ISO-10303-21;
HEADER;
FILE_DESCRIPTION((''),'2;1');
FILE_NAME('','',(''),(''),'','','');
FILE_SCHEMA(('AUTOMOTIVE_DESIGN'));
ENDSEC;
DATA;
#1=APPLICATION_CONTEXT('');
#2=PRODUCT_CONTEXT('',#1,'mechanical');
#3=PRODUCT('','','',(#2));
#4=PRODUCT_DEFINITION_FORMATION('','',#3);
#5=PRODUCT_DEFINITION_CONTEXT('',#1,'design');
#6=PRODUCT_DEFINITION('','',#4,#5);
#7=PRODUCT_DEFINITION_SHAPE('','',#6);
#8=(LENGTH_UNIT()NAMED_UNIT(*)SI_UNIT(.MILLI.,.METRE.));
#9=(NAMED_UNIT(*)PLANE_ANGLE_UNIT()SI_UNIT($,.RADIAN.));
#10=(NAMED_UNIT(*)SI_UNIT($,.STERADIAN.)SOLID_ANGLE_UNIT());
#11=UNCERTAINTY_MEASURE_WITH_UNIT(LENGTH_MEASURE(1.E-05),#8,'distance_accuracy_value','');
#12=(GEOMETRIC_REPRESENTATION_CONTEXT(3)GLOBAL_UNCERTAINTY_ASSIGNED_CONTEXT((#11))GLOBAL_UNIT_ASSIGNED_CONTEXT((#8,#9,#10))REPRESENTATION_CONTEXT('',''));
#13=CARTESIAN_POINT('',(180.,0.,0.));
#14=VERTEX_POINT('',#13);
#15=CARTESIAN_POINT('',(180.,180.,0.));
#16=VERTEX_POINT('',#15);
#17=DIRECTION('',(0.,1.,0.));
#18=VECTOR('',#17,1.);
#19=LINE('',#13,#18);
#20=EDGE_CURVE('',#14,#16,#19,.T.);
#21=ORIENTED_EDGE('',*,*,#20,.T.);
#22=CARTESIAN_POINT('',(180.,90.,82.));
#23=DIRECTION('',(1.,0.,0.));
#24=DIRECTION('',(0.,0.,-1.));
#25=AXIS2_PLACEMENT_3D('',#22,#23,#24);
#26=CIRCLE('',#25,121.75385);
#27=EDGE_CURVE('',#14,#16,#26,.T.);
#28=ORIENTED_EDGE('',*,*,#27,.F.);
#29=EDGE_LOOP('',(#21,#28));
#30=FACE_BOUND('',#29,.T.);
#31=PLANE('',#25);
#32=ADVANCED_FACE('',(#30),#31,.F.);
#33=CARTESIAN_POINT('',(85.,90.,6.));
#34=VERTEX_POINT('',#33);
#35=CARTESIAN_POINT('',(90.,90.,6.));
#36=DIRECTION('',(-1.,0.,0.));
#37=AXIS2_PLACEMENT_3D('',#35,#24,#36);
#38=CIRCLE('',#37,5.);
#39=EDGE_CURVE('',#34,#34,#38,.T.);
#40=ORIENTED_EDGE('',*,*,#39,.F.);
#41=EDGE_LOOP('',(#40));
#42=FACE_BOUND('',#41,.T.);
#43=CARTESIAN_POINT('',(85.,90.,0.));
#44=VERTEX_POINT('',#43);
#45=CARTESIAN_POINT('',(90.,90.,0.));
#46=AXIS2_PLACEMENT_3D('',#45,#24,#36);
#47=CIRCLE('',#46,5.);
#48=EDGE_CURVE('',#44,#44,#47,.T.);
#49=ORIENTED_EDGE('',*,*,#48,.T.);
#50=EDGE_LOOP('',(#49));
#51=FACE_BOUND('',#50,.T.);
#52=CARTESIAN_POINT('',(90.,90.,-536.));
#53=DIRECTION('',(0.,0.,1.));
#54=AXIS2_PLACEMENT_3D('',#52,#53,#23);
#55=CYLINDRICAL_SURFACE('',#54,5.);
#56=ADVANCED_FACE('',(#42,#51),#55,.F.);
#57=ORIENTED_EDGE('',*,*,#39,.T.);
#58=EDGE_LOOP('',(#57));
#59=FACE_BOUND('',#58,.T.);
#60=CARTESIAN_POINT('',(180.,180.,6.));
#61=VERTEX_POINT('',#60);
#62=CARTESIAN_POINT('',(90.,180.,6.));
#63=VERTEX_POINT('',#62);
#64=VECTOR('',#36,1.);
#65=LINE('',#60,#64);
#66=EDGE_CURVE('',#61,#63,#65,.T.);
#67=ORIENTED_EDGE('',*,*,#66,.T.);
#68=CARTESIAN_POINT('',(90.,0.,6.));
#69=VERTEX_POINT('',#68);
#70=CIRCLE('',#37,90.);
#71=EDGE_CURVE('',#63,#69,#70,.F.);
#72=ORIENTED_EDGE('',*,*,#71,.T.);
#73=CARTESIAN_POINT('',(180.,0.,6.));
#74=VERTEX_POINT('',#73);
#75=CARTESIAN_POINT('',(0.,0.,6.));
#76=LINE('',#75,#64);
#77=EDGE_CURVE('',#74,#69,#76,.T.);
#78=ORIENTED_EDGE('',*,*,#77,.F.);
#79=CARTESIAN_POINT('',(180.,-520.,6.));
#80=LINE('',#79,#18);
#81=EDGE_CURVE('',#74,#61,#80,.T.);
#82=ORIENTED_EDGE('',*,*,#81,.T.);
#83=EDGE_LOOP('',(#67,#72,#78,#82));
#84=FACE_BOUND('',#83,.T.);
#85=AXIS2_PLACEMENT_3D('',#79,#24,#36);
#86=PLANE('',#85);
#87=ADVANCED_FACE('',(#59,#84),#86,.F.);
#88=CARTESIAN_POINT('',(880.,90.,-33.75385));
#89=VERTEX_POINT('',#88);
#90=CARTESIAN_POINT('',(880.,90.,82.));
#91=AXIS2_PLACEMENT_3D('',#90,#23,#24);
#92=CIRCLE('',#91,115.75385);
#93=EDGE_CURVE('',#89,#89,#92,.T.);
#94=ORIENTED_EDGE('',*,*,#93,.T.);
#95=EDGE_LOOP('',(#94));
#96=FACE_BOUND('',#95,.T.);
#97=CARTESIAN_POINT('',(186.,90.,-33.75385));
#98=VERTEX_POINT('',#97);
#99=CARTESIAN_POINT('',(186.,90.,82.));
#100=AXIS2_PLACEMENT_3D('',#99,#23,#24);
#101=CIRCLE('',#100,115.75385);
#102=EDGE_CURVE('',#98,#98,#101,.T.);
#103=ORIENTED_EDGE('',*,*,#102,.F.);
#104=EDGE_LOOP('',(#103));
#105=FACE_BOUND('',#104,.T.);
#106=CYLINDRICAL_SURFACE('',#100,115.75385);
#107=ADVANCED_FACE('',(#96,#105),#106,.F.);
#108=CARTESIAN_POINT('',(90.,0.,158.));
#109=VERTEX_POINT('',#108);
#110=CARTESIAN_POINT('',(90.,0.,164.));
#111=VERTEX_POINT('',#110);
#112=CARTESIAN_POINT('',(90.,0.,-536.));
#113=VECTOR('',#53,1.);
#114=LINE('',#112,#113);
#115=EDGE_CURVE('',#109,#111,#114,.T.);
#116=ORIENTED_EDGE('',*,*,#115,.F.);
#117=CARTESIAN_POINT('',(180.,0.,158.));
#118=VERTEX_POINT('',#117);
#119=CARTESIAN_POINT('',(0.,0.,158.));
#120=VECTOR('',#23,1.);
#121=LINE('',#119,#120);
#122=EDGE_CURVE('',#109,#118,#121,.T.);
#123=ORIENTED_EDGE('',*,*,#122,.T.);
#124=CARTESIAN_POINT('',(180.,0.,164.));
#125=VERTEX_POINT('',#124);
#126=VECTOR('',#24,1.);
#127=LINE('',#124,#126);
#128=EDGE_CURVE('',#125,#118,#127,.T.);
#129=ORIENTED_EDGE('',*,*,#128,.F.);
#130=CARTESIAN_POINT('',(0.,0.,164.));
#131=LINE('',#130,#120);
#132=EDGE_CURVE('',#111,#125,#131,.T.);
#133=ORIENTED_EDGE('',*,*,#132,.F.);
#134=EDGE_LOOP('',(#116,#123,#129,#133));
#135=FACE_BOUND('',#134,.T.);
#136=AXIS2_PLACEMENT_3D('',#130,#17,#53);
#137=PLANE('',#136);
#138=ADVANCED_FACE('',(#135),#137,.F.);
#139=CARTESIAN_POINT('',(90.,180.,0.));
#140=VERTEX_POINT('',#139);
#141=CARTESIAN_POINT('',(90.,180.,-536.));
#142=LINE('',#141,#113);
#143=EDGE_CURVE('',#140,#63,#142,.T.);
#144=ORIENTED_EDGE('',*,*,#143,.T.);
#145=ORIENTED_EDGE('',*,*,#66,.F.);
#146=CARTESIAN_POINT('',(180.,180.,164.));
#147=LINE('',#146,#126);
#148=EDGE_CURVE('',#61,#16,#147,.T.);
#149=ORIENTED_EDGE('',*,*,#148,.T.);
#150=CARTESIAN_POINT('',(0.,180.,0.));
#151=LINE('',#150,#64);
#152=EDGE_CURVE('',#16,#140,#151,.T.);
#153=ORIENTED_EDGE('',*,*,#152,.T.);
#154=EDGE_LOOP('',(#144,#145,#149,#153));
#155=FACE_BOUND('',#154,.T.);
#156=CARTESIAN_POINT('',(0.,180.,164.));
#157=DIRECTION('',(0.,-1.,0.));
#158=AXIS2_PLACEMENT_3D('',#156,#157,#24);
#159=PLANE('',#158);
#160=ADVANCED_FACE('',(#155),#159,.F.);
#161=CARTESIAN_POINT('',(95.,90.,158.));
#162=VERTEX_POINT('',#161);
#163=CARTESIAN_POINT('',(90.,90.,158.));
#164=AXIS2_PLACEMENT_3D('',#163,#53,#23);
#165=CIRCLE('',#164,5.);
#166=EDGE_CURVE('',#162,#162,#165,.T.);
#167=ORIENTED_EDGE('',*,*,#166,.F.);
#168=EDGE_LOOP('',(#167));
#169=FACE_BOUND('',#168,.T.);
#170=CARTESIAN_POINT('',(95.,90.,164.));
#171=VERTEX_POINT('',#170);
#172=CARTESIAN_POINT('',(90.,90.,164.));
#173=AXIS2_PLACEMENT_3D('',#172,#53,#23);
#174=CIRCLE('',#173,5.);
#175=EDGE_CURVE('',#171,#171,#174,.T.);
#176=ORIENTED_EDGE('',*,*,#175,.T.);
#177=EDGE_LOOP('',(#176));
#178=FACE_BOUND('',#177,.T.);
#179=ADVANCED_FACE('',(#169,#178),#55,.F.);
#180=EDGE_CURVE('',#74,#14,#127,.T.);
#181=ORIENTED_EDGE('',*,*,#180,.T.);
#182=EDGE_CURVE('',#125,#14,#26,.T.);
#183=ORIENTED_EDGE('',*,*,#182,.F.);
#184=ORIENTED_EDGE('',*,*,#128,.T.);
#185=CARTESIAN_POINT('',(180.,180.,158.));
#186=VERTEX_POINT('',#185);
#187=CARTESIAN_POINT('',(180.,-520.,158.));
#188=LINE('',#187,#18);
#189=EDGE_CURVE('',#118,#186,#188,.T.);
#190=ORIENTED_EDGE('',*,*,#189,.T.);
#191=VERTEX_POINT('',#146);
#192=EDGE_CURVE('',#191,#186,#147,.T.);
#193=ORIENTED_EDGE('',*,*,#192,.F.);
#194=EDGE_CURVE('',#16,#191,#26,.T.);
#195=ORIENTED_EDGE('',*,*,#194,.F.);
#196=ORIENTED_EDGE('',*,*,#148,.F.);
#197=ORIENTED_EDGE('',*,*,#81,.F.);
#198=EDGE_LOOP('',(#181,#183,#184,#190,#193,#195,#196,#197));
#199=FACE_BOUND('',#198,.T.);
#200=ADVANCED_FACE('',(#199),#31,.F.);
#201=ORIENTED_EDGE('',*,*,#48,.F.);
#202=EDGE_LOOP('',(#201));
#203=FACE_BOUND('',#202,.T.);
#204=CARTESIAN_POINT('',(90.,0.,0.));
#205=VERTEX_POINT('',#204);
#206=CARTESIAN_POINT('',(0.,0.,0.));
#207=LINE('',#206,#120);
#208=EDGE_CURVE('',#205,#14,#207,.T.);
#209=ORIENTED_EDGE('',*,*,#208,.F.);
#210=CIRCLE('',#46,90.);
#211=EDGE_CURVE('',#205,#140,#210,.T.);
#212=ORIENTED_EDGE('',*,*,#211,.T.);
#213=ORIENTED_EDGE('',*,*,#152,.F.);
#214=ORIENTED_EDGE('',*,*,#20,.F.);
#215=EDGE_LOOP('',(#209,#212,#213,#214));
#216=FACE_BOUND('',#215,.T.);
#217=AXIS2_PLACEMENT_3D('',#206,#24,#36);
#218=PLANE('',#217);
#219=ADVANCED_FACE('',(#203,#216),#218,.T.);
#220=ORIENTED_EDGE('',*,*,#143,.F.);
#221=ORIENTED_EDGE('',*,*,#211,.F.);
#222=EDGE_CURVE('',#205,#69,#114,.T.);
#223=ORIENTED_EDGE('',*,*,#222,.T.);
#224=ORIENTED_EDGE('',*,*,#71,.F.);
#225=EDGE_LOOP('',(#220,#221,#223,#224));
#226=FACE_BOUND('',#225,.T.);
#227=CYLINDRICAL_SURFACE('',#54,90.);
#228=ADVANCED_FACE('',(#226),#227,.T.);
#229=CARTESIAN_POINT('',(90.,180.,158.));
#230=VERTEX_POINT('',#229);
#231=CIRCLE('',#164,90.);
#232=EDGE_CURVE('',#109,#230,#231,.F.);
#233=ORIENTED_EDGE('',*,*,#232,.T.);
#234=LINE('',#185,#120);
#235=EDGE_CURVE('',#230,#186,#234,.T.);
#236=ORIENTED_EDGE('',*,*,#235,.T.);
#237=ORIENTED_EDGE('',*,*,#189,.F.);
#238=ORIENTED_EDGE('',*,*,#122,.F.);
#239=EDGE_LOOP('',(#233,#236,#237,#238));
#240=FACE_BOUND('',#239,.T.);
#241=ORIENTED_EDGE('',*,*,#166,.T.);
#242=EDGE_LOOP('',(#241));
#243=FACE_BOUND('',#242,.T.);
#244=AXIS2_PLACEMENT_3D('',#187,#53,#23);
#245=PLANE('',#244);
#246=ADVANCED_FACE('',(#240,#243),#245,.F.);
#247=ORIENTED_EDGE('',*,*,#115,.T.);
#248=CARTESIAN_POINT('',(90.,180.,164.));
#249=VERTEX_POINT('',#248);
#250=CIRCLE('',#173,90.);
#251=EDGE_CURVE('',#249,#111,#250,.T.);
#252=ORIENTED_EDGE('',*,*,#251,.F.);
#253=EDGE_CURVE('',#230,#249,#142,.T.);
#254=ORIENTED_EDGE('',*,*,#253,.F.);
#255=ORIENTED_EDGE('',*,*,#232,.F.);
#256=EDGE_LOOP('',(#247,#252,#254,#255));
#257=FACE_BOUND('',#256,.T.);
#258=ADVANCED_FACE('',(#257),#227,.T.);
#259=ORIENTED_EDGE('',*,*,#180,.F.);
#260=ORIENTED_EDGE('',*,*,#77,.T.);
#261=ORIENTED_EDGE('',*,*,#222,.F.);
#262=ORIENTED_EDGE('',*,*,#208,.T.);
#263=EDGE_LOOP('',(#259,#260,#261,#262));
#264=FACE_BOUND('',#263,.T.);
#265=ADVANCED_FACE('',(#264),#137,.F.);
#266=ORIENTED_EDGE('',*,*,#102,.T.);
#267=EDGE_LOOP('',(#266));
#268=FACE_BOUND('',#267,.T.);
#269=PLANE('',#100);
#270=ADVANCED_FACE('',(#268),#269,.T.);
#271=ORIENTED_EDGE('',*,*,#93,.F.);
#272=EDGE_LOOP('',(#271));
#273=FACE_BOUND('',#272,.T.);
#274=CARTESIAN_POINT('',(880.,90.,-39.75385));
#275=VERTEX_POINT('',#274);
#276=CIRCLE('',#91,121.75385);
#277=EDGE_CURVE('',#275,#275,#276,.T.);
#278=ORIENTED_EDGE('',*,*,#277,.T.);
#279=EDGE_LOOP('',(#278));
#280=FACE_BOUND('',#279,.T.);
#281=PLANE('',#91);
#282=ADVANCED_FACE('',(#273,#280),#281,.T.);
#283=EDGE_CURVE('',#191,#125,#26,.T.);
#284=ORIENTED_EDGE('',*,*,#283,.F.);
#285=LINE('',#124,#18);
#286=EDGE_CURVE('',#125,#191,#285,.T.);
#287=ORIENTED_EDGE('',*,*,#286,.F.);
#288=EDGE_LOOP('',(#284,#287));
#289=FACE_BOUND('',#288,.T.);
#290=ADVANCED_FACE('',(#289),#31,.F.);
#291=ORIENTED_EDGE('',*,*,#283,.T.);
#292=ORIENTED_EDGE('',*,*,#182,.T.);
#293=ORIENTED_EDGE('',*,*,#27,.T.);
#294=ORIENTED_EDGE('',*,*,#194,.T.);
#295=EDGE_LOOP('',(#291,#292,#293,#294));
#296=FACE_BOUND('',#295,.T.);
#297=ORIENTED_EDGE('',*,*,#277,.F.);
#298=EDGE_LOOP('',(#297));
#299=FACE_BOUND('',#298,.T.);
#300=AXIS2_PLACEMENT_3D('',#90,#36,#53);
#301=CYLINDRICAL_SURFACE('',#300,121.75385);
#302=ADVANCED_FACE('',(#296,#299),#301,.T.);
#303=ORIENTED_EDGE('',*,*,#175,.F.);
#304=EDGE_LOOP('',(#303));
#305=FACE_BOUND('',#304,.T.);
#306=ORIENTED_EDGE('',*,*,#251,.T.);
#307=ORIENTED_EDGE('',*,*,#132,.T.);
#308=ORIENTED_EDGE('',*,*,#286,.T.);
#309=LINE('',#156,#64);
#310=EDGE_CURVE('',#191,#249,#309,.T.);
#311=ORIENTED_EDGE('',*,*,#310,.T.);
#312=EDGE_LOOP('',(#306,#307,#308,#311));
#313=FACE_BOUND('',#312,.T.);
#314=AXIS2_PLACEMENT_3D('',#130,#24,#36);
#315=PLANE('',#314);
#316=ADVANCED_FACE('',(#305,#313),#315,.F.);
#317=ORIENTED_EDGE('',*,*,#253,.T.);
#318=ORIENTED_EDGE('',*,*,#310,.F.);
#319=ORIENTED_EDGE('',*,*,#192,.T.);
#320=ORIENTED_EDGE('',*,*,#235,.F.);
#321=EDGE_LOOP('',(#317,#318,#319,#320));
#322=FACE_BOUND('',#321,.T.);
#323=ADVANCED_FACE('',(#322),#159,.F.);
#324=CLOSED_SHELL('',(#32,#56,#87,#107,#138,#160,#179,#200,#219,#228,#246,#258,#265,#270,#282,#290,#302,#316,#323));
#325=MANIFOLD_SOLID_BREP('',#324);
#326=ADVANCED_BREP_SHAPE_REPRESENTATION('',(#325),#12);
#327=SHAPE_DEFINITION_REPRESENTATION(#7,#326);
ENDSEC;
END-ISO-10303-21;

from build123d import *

# Parameters (mm, degrees)
IZIM1_W                     = 180
IZIM1_H                     = 180
Y_KSEKLIK_EKSTR_ZYON1_DEPTH = 164
IZIM3_R                     = 121.753850042
Y_KSEKLIK_EKSTR_ZYON2_DEPTH = 700
KES_EKSTR_ZYON1_DEPTH       = 700
IZIM5_W                     = 180
IZIM5_H                     = 152
KES_EKSTR_ZYON2_DEPTH       = 700
IZIM6_R                     = 5
KES_EKSTR_ZYON3_DEPTH       = 700
IZIM7_R                     = 115.753850042
KES_EKSTR_ZYON4_DEPTH       = 694


with BuildPart() as part:
    # Çizim1 → Yükseklik-Ekstrüzyon1 (new body)
    with BuildSketch(Plane.XY):
        with Locations((90, 90)):
            Rectangle(IZIM1_W, IZIM1_H)
    extrude(amount=Y_KSEKLIK_EKSTR_ZYON1_DEPTH)

    # Çizim3 → Yükseklik-Ekstrüzyon2 (add)
    with BuildSketch(Plane(origin=(180, 0, 0), x_dir=(0, 0, -1), z_dir=(1, 0, 0))):
        with Locations((-82, 90)):
            Circle(IZIM3_R)
    extrude(amount=Y_KSEKLIK_EKSTR_ZYON2_DEPTH)

    # Çizim4 → Kes-Ekstrüzyon1 (cut)
    with BuildSketch(Plane.XY.offset(164)):
        with BuildLine():
            ThreePointArc((0, 90), (26.360389693, 153.639610307), (90, 180))
            Line((90, 180), (0, 180))
            Line((0, 180), (0, 90))
        make_face()
        with BuildLine():
            ThreePointArc((90, 0), (26.360389693, 26.360389693), (0, 90))
            Line((0, 90), (0, 0))
            Line((0, 0), (90, 0))
        make_face()
    extrude(amount=-KES_EKSTR_ZYON1_DEPTH, mode=Mode.SUBTRACT)

    # Çizim5 → Kes-Ekstrüzyon2 (cut)
    with BuildSketch(Plane(origin=(0, 180, 0), x_dir=(1, 0, 0), z_dir=(0, 1, 0))):
        with Locations((90, -82)):
            Rectangle(IZIM5_W, IZIM5_H)
    extrude(amount=-KES_EKSTR_ZYON2_DEPTH, mode=Mode.SUBTRACT)

    # Çizim6 → Kes-Ekstrüzyon3 (cut)
    with BuildSketch(Plane.XY.offset(164)):
        with Locations((90, 90)):
            Circle(IZIM6_R)
    extrude(amount=-KES_EKSTR_ZYON3_DEPTH, mode=Mode.SUBTRACT)

    # Çizim7 → Kes-Ekstrüzyon4 (cut)
    with BuildSketch(Plane(origin=(880, 0, 0), x_dir=(0, 0, -1), z_dir=(1, 0, 0))):
        with Locations((-82, 90)):
            Circle(IZIM7_R)
    extrude(amount=-KES_EKSTR_ZYON4_DEPTH, mode=Mode.SUBTRACT)


solid = part.part
